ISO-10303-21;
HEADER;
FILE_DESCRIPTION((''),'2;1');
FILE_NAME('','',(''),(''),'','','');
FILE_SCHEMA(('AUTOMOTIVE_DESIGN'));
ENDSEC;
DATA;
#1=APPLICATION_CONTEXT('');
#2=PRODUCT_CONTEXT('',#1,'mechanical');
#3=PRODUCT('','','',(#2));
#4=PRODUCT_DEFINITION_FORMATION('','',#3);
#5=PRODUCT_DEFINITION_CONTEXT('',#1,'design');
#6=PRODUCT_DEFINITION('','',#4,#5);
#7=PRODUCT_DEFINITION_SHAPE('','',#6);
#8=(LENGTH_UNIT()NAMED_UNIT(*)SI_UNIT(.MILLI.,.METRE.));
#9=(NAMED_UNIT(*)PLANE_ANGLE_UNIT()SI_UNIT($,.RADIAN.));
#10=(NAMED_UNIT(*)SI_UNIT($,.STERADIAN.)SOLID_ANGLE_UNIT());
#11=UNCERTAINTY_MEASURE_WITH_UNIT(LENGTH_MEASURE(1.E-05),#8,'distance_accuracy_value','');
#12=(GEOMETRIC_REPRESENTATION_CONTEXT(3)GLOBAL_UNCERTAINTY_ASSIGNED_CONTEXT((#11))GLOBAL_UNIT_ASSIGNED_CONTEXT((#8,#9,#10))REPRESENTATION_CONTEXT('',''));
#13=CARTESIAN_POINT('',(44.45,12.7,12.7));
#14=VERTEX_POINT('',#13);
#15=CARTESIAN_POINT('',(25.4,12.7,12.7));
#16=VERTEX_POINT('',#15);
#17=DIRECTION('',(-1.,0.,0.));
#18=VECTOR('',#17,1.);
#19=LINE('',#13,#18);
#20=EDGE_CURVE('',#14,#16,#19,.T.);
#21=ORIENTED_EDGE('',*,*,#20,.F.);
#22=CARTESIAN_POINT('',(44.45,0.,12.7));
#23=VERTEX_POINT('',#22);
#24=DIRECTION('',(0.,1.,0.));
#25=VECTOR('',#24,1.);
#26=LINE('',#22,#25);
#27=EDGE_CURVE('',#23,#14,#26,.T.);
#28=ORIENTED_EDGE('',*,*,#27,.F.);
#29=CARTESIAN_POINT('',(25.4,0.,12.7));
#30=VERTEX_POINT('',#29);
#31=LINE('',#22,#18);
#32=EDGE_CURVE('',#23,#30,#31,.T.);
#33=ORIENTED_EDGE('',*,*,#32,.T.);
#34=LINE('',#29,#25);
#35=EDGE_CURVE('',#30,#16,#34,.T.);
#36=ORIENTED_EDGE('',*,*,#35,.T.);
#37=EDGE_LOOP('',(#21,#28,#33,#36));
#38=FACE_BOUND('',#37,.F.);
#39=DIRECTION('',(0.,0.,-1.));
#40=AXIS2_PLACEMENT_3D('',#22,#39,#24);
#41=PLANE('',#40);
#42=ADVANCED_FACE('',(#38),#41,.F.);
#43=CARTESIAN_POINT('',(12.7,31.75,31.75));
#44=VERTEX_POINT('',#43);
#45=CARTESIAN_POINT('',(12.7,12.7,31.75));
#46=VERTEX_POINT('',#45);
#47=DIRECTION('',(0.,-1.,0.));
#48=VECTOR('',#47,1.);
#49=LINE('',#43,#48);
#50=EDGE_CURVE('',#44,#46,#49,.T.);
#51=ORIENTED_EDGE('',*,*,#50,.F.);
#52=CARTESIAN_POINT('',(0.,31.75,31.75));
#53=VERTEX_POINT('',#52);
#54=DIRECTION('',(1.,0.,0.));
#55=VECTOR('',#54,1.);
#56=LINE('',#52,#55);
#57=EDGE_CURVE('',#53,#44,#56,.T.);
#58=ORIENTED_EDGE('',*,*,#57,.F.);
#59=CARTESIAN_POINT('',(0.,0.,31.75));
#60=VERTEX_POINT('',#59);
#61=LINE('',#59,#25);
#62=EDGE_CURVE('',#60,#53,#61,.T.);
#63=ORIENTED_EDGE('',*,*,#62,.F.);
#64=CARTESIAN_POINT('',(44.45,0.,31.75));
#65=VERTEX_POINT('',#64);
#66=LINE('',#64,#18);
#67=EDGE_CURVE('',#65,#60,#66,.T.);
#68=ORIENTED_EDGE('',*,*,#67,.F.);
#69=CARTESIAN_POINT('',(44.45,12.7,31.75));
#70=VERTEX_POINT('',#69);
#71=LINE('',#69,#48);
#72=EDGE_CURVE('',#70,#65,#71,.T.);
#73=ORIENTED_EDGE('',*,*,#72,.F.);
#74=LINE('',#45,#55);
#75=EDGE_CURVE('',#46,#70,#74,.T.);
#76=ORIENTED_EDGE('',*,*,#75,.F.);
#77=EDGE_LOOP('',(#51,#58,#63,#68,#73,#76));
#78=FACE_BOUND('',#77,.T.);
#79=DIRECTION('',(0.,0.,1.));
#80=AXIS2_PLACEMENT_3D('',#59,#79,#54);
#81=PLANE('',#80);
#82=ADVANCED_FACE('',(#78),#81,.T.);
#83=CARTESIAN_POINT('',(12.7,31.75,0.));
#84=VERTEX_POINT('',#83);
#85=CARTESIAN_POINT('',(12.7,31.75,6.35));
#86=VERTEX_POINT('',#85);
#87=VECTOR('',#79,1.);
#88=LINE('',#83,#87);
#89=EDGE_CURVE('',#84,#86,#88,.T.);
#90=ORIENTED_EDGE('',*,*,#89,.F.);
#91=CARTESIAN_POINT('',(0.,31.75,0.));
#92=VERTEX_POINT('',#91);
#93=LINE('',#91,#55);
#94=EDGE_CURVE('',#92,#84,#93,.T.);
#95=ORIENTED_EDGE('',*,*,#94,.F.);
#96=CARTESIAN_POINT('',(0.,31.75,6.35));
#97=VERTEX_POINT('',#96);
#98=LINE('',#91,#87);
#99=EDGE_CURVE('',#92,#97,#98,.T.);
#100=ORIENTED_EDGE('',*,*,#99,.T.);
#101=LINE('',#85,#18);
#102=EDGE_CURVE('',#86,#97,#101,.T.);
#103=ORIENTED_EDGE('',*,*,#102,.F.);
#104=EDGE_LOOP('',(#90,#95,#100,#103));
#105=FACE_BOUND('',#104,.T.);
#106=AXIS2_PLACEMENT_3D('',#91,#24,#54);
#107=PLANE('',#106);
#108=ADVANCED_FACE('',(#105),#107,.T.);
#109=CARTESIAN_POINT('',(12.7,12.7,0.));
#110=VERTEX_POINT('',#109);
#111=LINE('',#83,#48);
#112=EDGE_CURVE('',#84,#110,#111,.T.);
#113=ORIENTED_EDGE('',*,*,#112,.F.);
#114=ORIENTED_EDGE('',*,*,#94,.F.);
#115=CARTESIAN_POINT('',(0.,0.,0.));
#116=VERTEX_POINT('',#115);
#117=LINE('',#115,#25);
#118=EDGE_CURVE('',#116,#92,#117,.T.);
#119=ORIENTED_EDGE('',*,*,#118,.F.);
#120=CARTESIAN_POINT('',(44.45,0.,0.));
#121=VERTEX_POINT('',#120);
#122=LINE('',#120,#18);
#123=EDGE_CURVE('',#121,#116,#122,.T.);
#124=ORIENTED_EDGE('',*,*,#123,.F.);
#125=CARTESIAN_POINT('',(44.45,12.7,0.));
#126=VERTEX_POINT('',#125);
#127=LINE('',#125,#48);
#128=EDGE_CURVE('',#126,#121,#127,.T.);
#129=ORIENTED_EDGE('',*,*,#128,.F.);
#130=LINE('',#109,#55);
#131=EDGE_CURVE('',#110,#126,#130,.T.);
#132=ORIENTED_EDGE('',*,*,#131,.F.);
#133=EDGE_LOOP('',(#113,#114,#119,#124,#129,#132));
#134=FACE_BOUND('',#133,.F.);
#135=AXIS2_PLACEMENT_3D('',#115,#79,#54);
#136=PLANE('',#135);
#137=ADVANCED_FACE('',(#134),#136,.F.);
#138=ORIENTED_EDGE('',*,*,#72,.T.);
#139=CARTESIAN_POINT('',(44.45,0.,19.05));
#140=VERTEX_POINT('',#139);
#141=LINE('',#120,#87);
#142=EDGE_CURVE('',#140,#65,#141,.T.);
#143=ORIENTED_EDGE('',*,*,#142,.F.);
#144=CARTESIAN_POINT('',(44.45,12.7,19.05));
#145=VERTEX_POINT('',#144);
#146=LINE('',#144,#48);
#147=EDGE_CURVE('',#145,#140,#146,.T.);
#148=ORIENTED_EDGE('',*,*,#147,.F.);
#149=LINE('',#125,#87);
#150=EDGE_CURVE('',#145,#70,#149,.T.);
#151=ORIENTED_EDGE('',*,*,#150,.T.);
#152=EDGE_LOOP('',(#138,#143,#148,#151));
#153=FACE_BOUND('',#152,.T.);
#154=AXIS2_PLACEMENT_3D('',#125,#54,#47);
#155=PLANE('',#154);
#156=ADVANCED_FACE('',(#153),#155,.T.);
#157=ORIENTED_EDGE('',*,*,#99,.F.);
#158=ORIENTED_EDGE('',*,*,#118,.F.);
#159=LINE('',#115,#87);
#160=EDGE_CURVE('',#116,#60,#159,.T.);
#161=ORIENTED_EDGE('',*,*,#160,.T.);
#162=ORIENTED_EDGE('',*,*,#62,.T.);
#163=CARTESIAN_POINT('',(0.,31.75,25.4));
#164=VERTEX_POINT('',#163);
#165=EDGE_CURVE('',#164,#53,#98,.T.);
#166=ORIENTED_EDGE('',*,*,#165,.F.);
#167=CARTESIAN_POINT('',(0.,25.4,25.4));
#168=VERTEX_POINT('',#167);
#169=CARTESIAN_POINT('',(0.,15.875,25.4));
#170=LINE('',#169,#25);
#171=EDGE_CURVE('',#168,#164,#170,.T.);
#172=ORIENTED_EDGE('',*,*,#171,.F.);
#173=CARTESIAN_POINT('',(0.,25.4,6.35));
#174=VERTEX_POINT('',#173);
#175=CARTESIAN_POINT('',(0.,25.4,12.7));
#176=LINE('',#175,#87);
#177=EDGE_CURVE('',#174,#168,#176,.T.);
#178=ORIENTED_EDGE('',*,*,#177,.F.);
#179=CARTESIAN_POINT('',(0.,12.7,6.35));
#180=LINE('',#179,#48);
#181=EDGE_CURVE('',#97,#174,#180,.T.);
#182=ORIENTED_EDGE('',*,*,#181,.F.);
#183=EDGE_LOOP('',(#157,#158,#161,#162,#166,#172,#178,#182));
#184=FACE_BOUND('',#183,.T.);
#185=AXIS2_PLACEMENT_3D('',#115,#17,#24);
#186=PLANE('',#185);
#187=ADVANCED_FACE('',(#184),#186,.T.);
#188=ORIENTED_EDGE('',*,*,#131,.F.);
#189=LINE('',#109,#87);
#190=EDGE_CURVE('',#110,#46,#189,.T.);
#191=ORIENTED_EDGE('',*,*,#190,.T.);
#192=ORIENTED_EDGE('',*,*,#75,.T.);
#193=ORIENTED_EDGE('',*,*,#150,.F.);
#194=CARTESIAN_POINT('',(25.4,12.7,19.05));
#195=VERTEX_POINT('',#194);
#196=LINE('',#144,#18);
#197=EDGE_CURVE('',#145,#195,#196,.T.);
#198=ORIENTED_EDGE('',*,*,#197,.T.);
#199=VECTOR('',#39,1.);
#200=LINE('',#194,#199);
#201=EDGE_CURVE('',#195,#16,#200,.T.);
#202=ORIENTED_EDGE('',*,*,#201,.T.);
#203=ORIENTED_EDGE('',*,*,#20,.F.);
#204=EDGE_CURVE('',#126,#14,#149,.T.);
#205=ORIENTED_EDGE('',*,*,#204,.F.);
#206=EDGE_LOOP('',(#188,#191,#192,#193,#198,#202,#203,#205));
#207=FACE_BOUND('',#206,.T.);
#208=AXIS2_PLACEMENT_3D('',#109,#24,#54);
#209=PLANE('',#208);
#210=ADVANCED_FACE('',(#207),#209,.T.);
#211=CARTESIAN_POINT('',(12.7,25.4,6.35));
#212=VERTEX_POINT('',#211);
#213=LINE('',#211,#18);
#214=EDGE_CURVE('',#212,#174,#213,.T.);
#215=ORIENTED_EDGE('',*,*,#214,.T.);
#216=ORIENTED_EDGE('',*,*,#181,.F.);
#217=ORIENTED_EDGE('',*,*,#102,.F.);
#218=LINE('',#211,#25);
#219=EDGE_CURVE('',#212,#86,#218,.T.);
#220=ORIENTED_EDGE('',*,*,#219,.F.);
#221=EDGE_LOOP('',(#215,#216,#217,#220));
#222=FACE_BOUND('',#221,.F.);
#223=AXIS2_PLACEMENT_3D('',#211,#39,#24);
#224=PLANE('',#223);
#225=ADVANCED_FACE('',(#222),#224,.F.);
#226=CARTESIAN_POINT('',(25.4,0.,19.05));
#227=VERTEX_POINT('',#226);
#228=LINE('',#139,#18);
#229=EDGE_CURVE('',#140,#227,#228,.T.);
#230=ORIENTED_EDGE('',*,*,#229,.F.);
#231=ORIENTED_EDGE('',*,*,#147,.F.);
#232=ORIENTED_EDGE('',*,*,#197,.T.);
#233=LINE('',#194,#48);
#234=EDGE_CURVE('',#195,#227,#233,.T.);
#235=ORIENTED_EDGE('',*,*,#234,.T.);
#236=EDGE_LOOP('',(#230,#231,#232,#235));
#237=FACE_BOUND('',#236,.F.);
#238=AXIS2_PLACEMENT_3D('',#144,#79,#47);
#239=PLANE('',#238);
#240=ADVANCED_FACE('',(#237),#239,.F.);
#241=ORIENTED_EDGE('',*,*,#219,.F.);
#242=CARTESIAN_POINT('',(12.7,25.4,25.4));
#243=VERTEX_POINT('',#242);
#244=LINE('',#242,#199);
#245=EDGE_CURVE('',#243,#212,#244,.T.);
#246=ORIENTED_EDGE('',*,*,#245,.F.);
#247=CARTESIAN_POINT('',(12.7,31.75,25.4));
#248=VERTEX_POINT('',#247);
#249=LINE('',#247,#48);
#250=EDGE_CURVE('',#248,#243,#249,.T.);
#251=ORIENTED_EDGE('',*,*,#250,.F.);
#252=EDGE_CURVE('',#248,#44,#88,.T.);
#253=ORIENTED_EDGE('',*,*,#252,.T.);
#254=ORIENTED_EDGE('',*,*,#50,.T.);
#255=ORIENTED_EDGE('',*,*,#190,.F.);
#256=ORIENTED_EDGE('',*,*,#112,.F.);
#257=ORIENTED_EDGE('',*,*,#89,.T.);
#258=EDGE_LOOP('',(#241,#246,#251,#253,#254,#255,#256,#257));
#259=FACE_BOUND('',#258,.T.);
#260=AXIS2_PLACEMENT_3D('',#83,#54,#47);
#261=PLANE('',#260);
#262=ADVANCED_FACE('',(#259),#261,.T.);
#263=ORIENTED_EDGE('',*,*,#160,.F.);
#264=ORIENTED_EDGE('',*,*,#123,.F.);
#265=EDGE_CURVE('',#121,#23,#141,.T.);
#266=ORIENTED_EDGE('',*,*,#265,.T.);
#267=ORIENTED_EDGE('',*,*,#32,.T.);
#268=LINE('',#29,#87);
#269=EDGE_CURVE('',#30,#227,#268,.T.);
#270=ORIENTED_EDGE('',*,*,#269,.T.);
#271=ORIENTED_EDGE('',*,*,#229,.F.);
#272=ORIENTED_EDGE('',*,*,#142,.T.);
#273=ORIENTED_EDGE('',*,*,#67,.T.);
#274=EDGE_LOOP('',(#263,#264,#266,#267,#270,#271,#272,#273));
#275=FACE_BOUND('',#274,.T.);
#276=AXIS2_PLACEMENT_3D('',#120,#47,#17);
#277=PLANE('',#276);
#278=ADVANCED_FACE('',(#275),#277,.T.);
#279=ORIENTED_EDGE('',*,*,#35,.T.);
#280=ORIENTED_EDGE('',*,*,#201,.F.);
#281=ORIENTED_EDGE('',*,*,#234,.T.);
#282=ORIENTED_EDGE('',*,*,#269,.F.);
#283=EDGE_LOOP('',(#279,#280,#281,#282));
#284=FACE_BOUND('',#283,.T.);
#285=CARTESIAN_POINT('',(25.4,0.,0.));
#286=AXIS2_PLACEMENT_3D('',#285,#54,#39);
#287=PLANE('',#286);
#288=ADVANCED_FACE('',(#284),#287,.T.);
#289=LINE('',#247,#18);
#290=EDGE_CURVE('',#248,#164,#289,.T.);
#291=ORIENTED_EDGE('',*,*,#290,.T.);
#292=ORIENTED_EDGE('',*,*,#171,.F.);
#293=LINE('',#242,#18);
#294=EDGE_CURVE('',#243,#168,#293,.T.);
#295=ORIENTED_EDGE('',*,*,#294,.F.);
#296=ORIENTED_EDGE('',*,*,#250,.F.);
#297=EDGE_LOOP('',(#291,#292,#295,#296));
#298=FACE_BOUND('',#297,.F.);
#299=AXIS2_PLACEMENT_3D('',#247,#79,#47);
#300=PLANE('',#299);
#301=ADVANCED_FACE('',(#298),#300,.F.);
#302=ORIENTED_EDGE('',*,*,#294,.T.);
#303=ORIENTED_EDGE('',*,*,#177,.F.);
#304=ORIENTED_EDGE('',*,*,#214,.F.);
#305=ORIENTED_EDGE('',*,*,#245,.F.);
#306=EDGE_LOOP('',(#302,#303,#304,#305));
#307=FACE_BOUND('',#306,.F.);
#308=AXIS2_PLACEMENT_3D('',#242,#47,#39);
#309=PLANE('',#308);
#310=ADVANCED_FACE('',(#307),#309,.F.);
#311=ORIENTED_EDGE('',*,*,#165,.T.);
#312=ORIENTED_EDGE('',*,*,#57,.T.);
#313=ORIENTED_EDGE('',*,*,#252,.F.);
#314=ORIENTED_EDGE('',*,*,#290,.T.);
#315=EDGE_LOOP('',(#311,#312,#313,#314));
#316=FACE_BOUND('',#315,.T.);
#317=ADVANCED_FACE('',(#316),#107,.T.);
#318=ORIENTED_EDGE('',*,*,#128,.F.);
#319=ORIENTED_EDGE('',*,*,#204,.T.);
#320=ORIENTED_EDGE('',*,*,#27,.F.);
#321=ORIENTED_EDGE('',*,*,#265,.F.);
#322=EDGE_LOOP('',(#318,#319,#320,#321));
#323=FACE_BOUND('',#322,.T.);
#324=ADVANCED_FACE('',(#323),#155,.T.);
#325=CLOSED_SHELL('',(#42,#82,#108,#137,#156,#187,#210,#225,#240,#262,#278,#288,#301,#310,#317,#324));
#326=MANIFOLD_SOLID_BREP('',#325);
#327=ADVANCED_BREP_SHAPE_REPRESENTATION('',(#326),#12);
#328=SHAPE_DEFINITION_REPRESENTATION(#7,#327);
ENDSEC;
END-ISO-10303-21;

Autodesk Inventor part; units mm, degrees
ref_plane "YZ Plane" through (0, 0, 0) normal (1, 0, 0) x (0, 1, 0)
ref_plane "XZ Plane" through (0, 0, 0) normal (0, 1, 0) x (-1, 0, 0)
ref_plane "XY Plane" through (0, 0, 0) normal (0, 0, 1) x (1, 0, 0)
sketch "Sketch1" plane through (0, 0, 0) normal (0, 0, 1) x (1, 0, 0)
  line L0 (0, 0) -> (0, 31.75)
  line L1 (0, 31.75) -> (12.7, 31.75)
  line L2 (12.7, 31.75) -> (12.7, 12.7)
  line L3 (12.7, 12.7) -> (44.45, 12.7)
  line L4 (44.45, 12.7) -> (44.45, 0)
  line L5 (44.45, 0) -> (0, 0)
  dimension "d0" = 31.75
  dimension "d1" = 44.45
  dimension "d2" = 19.05
  dimension "d3" = 12.7
  dimension "d4" = 12.7
extrude "Extrusion1" add sketch "Sketch1" along normal blind 31.75
sketch "Sketch2" plane through (12.7, 12.7, 0) normal (1, 0, 0) x (0, 0, -1)
  line L0 (0, 19.05) -> (-31.75, 19.05) projected
  line L1 (-25.4, 19.05) -> (-25.4, 12.7)
  line L2 (-25.4, 12.7) -> (-6.35, 12.7)
  line L3 (-6.35, 12.7) -> (-6.35, 19.05)
  line L4 (-25.4, 19.05) -> (-6.35, 19.05)
  line L5 (-31.75, 0) -> (-31.75, 19.05) projected
  point P0 (0, -12.7)
  dimension "d7" = 6.35
  dimension "d8" = 19.05
  dimension "d9" = 6.35
extrude "Extrusion2" cut sketch "Sketch2" against normal blind 31.75
sketch "Sketch3" plane through (44.45, 0, 0) normal (1, 0, 0) x (0, 0, -1)
  line L0 (-19.05, 12.7) -> (-19.05, 0)
  line L1 (-12.7, 0) -> (-12.7, 12.7)
  line L2 (-19.05, 12.7) -> (-12.7, 12.7)
  line L3 (-12.7, 0) -> (-19.05, 0)
  line L4 (-31.75, 0) -> (-31.75, 12.7) projected
  dimension "d12" = 12.7
  dimension "d13" = 12.7
  dimension "d16" = 6.35
extrude "Extrusion3" cut sketch "Sketch3" against normal blind 19.05
properties part number "Aluminum" material "Aluminum 6061"
